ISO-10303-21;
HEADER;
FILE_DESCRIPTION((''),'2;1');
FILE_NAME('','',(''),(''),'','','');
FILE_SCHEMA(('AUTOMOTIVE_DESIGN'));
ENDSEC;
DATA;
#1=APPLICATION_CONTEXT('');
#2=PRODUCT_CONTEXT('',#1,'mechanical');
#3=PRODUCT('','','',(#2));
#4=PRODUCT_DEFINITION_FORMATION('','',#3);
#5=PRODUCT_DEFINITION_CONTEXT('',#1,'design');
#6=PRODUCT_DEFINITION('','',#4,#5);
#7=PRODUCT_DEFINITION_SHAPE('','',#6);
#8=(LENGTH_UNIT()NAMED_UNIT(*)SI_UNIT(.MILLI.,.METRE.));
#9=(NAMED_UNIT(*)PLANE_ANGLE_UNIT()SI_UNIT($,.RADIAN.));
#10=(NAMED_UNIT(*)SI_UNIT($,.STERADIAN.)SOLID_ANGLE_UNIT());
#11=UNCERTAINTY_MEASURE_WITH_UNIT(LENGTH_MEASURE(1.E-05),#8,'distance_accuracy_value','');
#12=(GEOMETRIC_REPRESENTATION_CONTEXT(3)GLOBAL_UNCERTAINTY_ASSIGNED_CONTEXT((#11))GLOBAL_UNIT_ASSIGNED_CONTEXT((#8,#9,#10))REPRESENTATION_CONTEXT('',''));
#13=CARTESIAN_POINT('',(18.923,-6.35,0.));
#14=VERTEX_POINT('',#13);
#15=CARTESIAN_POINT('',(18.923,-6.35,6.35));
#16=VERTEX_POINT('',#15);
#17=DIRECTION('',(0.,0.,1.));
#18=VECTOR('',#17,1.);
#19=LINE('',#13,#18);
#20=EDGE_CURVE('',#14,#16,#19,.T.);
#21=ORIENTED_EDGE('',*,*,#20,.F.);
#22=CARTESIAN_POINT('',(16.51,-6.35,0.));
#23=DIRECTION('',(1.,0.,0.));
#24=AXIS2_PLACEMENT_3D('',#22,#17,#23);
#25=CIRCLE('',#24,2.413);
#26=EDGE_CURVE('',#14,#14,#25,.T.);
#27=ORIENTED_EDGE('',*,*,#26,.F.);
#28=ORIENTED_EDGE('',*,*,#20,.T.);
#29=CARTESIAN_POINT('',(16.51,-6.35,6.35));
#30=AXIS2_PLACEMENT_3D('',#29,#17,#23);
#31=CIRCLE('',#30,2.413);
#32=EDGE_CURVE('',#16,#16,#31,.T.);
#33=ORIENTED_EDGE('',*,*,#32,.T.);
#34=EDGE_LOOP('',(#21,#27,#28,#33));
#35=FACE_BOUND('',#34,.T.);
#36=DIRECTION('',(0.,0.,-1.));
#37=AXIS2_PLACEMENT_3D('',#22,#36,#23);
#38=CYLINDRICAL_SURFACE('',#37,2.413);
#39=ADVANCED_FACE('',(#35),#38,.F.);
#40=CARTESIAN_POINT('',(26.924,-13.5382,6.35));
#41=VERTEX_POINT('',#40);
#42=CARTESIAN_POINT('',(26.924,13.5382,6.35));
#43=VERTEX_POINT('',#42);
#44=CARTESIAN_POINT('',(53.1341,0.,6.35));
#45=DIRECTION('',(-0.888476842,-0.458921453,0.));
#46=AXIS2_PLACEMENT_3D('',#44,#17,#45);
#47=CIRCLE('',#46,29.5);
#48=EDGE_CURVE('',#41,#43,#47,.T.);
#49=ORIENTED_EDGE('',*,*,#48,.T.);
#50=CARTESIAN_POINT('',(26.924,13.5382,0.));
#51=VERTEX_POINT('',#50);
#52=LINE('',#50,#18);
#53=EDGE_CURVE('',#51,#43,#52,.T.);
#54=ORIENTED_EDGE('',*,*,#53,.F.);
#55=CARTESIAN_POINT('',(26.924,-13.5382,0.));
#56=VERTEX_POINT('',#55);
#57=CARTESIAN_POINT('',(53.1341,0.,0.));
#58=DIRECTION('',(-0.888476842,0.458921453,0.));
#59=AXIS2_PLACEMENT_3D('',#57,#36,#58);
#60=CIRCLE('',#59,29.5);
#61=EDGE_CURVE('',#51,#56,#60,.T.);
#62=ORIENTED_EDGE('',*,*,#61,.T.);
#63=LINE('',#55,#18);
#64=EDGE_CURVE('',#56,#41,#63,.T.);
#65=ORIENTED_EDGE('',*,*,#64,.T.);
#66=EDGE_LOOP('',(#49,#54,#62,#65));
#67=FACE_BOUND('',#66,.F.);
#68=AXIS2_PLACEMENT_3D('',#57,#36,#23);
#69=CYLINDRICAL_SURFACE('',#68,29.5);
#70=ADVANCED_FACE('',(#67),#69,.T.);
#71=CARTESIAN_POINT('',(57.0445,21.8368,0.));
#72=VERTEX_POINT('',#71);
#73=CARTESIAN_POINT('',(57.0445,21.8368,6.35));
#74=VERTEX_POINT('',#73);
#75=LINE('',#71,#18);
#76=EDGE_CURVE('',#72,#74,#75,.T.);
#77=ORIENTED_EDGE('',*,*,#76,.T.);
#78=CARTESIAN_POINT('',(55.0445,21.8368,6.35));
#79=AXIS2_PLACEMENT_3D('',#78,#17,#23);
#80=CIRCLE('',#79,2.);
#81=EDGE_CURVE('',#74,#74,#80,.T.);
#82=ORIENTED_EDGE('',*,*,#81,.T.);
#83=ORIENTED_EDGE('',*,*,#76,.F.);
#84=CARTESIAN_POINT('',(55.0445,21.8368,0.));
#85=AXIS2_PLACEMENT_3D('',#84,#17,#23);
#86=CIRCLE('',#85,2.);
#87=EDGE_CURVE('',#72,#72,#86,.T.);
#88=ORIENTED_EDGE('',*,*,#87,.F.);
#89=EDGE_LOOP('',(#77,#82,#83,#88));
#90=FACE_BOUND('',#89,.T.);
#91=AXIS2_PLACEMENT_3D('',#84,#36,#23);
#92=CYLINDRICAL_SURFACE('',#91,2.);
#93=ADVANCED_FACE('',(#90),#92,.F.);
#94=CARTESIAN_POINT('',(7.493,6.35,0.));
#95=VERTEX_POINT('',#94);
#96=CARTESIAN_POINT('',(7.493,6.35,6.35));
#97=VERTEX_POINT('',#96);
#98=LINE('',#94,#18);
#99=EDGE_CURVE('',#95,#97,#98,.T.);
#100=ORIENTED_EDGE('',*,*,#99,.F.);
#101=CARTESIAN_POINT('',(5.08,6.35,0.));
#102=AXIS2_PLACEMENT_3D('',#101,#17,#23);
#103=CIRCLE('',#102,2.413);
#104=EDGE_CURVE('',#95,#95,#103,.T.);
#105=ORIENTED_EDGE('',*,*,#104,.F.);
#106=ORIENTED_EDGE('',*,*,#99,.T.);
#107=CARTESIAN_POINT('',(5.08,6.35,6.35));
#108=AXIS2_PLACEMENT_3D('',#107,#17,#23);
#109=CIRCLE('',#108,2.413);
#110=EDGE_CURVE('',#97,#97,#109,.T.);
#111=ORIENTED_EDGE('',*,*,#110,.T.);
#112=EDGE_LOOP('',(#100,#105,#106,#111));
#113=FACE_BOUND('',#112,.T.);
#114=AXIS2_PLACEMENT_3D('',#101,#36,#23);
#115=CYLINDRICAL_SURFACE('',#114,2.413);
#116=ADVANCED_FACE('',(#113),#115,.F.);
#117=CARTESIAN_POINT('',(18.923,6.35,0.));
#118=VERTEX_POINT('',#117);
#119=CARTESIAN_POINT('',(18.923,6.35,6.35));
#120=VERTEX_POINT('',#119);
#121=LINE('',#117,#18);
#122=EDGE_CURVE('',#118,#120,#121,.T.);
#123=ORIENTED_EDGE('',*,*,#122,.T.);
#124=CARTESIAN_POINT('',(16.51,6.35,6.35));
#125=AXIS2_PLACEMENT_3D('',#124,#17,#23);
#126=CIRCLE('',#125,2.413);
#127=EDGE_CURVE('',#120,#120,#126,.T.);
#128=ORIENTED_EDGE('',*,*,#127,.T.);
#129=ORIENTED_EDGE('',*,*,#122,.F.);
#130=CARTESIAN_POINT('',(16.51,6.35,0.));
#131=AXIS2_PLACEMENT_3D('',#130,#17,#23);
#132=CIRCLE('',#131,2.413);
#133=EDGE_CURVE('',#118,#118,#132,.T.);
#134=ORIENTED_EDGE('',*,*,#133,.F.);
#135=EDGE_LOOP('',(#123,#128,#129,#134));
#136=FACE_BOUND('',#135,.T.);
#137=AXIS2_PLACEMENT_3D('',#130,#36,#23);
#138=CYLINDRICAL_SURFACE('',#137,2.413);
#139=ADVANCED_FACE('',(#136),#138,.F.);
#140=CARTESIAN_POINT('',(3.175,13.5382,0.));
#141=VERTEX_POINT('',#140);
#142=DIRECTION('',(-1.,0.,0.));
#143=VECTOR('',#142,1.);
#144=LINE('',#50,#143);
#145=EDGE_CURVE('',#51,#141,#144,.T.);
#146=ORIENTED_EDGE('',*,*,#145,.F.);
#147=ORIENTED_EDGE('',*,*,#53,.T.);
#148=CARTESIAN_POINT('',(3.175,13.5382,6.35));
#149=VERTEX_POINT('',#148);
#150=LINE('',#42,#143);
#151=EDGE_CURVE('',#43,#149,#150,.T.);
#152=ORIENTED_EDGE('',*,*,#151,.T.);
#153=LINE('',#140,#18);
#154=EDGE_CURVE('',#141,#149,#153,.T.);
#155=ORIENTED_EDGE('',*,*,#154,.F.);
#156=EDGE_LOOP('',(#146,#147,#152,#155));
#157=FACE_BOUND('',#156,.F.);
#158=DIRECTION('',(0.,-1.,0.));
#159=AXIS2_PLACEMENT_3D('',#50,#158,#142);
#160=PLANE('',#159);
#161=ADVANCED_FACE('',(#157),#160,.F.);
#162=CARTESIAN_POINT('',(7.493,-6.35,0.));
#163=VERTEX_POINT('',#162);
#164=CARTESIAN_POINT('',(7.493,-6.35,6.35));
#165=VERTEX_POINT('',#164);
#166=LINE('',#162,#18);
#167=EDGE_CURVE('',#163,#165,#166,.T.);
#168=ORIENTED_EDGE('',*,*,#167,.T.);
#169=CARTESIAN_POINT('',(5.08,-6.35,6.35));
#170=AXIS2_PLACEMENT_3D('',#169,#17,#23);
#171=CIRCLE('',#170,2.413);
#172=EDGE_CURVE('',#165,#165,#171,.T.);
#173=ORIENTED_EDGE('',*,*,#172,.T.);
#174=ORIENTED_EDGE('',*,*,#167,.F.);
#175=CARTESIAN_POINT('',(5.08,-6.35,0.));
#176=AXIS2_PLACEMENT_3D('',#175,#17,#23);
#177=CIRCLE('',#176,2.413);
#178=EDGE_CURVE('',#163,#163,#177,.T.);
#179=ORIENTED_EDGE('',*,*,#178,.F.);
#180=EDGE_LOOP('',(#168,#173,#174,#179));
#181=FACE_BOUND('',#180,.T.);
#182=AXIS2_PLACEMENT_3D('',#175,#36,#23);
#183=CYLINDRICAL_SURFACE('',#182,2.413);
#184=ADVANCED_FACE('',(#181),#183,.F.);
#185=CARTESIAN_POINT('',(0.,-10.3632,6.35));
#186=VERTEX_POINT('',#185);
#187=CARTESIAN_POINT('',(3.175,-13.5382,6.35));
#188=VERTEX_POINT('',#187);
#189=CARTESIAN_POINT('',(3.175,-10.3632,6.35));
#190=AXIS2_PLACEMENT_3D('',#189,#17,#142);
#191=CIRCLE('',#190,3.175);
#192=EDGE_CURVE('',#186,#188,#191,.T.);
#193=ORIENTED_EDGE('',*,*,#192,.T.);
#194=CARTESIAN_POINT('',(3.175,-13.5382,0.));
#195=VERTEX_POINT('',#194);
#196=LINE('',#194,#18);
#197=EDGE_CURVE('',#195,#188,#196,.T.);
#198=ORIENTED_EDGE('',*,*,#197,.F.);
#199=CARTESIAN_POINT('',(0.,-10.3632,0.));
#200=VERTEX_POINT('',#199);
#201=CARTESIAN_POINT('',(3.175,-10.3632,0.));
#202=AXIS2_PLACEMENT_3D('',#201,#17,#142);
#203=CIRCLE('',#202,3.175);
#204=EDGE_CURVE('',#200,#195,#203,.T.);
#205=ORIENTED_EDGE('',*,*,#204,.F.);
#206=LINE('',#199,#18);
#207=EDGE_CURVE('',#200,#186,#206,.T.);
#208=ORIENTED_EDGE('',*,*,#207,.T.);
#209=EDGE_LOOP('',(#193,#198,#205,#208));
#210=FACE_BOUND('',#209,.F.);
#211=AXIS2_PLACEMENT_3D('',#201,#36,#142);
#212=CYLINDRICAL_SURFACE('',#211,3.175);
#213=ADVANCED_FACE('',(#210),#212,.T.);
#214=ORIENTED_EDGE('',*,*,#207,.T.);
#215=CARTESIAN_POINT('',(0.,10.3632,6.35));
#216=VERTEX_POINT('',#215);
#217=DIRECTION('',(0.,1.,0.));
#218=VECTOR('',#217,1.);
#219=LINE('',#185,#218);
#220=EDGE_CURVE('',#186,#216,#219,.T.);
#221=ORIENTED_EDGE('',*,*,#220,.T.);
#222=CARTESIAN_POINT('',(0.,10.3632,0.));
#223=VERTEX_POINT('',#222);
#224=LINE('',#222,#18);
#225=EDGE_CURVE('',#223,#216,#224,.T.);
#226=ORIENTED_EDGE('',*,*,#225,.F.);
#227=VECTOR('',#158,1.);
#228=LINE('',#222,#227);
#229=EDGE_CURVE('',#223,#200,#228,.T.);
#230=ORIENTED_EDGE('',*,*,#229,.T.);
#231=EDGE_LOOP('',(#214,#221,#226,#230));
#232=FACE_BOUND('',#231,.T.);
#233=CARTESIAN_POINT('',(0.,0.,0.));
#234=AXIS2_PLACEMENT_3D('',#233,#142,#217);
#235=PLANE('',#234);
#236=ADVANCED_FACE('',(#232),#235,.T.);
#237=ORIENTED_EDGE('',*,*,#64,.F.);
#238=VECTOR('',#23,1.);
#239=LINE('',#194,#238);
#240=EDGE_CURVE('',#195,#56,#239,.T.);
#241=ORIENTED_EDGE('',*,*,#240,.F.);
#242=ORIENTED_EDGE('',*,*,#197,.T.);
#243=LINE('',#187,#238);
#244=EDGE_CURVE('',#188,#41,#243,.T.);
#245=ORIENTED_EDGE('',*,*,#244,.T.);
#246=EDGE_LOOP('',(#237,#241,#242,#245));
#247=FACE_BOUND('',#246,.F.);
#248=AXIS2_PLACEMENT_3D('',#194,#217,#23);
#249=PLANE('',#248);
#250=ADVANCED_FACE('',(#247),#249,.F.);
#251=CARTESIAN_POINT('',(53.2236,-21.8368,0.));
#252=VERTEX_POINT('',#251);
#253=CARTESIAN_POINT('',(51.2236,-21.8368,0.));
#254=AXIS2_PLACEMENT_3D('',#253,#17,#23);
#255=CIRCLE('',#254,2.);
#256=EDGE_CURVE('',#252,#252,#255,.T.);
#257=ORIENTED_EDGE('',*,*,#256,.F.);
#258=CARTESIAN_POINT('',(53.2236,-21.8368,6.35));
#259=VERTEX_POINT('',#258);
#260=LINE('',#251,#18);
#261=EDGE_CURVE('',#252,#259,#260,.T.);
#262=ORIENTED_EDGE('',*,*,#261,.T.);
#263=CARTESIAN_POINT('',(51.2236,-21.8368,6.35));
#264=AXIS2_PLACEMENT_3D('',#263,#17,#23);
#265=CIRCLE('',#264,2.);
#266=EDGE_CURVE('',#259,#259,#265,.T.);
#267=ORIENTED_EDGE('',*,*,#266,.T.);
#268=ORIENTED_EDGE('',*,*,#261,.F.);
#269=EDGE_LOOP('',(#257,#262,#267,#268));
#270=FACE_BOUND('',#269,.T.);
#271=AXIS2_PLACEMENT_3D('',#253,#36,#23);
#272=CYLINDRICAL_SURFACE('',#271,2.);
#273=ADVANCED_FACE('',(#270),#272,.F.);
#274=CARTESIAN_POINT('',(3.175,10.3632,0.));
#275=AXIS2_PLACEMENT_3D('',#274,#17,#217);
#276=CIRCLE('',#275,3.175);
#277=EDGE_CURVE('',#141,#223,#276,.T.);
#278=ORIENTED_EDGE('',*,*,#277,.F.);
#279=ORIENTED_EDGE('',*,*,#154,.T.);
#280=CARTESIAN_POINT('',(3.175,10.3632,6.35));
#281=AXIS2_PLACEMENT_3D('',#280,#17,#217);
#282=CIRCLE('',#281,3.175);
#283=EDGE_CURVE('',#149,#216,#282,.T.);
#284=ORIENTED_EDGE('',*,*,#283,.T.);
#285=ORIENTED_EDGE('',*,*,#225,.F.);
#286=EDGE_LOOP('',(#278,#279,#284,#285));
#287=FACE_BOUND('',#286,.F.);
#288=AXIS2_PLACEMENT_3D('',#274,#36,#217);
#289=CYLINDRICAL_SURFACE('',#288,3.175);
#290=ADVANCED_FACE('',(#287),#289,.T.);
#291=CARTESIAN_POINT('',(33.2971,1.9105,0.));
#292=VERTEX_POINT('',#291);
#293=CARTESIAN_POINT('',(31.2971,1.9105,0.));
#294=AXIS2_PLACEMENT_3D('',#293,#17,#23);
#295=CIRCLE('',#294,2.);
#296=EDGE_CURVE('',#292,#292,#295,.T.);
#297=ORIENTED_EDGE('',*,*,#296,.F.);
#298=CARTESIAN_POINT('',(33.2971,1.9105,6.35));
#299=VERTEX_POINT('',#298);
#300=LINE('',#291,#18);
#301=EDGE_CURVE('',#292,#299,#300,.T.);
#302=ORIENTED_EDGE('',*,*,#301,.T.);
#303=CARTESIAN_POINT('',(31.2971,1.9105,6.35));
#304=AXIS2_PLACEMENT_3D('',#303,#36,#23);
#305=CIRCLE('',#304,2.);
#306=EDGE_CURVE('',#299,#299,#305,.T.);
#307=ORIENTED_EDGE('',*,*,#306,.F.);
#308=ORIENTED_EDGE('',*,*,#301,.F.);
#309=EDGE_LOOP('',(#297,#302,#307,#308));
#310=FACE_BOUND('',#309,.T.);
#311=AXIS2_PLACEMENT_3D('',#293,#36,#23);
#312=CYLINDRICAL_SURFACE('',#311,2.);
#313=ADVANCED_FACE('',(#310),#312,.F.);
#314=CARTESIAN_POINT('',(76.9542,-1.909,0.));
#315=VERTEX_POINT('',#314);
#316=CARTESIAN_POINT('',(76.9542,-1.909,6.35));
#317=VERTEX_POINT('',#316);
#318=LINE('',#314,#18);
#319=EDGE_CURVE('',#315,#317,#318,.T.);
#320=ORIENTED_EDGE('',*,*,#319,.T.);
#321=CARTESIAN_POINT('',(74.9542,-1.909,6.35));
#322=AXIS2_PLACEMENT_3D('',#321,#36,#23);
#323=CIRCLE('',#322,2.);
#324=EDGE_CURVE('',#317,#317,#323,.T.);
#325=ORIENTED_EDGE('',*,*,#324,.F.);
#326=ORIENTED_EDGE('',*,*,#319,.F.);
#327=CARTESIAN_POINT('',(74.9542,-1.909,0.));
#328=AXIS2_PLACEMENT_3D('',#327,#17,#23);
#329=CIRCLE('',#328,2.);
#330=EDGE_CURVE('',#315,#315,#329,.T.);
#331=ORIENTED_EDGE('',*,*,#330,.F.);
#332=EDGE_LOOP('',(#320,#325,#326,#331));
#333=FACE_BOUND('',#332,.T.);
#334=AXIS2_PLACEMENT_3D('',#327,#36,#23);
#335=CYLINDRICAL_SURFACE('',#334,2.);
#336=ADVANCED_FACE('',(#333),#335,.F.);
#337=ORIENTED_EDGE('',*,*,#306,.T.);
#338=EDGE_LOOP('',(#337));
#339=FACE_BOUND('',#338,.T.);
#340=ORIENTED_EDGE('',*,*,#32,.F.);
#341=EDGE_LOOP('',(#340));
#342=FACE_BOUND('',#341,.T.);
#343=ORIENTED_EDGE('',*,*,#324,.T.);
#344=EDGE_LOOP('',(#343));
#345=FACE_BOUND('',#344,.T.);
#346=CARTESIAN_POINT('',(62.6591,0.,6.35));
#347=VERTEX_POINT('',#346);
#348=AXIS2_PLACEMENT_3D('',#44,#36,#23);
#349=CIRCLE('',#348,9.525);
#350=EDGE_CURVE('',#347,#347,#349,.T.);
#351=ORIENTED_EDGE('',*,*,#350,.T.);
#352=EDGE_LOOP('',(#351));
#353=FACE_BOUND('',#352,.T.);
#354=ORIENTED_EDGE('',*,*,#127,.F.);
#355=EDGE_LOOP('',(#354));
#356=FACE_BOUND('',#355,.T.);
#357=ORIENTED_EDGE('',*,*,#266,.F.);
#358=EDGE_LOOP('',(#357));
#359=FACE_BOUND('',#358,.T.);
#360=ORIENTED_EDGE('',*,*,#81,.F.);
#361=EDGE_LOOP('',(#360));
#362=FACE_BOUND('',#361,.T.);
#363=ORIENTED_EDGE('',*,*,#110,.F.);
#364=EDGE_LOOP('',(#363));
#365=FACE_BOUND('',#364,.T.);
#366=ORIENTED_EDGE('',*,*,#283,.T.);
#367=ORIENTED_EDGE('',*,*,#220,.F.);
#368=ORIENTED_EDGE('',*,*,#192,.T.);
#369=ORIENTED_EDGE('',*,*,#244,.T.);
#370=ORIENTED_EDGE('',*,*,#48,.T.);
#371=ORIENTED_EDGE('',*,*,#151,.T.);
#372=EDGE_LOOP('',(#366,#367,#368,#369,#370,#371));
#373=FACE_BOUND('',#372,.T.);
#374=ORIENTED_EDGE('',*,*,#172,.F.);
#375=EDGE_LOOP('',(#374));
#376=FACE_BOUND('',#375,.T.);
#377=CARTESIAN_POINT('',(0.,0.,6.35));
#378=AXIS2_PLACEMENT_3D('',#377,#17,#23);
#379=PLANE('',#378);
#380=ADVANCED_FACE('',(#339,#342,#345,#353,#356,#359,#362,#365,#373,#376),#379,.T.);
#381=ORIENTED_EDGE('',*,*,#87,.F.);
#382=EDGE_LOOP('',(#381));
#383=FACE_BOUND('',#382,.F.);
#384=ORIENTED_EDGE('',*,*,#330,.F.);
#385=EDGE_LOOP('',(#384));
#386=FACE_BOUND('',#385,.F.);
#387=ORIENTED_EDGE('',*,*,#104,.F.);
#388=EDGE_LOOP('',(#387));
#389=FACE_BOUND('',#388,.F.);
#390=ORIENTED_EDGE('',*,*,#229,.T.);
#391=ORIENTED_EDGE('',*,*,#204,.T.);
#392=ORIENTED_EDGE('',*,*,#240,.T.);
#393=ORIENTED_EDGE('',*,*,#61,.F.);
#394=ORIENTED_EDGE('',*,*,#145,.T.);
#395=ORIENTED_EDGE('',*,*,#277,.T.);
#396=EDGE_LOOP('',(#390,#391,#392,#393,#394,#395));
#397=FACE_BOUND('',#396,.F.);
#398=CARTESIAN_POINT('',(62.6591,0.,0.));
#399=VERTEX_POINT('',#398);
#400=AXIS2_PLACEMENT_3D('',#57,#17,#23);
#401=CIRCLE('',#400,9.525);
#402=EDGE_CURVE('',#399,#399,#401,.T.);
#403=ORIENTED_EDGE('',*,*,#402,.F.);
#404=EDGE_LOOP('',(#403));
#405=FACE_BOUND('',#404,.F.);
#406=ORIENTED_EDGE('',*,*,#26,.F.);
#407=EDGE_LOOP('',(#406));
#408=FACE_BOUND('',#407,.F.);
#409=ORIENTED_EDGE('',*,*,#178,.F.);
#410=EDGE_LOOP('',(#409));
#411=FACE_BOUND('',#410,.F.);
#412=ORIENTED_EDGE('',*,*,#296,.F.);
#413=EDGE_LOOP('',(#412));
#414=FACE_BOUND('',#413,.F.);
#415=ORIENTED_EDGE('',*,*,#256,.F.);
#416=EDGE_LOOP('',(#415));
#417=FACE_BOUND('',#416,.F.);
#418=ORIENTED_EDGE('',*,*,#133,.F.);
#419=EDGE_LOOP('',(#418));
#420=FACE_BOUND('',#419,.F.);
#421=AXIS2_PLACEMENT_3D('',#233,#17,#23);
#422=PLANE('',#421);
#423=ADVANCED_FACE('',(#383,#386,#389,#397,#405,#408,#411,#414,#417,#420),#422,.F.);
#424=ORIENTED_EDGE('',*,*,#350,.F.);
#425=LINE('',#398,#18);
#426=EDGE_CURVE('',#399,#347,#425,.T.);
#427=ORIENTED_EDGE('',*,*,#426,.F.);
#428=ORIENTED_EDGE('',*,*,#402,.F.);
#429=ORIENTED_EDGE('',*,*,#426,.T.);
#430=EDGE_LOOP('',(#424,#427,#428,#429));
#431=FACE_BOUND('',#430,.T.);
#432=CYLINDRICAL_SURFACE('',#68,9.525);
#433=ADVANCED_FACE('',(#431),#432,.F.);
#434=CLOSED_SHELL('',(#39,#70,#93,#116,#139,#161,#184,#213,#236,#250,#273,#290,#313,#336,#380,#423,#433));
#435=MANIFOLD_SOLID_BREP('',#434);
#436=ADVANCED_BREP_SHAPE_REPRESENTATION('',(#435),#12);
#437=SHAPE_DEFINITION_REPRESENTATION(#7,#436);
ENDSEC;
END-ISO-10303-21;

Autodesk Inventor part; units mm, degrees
ref_plane "YZ Plane" through (0, 0, 0) normal (1, 0, 0) x (0, 1, 0)
ref_plane "XZ Plane" through (0, 0, 0) normal (0, 1, 0) x (-1, 0, 0)
ref_plane "XY Plane" through (0, 0, 0) normal (0, 0, 1) x (1, 0, 0)
sketch "Sketch1" plane through (0, 0, 0) normal (0, 0, 1) x (1, 0, 0)
  line L0 (-17.3159, 0) -> (99.2924, 0) projected
  line L1 (0, -42.1701) -> (0, 46.5209) projected
  circle A0 centre (53.1341, 0) radius 29.5
  line L2 (26.924, 13.5382) -> (3.175, 13.5382)
  line L3 (0, 10.3632) -> (0, -10.3632)
  line L4 (3.175, -13.5382) -> (26.924, -13.5382)
  arc A1 (3.175, 13.5382) -> (0, 10.3632) centre (3.175, 10.3632) ccw
  arc A2 (0, -10.3632) -> (3.175, -13.5382) centre (3.175, -10.3632) ccw
  circle A3 centre (5.08, 6.35) radius 2.413
  circle A4 centre (16.51, 6.35) radius 2.413
  circle A5 centre (5.08, -6.35) radius 2.413
  circle A6 centre (16.51, -6.35) radius 2.413
  circle A7 centre (31.2971, 1.9105) radius 2
  circle A8 centre (55.0445, 21.8368) radius 2
  circle A9 centre (74.9542, -1.909) radius 2
  circle A10 centre (51.2236, -21.8368) radius 2
  line L5 (55.7052, 29.3877) -> (50.563, -29.3877) construction
  line L6 (23.7463, 2.5711) -> (82.5218, -2.5711) construction
  circle A11 centre (53.1341, 0) radius 9.525
  line L7 (53.1341, 0) -> (24.7299, 33.8507) construction
  point P0 (0, 0)
  point P1 (0, -13.5382)
  dimension "d0" = 59
  dimension "d2" = 3.175
  dimension "d9" = 20.7264
  dimension "d10" = 4.826
  dimension "d15" = 11.43
  dimension "d18" = 12.7
  dimension "d21" = 4
  dimension "d23" = 4
  dimension "d24" = 4
  dimension "d25" = 4
  dimension "d45" = 19.05
  dimension "d51" = 5.08
  dimension "d52" = 26.924
  dimension "d54" = 5
  dimension "d55" = 31
  dimension "d56" = 30.988
  dimension "d57" = 30.988
  dimension "d58" = 31
  dimension "d59" = 21.9202
extrude "plate" add sketch "Sketch1" along normal blind 6.35 contours L1 A1 L2 A0 L0 | L0 A0 L4 A2 L1 | A0 L0 A9 A11 A7 | L0 A7 A11 A9 A0 | A11 L0 | L0 A11
extrude "motor hole" cut sketch "Sketch1" along normal blind 25.4 contours A11 L0 | L0 A11
equation "\"d21\" = bolt_holes"
equation "\"d23\" = bolt_holes"
equation "\"d24\" = bolt_holes"
equation "\"d25\" = bolt_holes"
equation "\"bolt_holes\" = 4"
properties part number "motormount3_B"
